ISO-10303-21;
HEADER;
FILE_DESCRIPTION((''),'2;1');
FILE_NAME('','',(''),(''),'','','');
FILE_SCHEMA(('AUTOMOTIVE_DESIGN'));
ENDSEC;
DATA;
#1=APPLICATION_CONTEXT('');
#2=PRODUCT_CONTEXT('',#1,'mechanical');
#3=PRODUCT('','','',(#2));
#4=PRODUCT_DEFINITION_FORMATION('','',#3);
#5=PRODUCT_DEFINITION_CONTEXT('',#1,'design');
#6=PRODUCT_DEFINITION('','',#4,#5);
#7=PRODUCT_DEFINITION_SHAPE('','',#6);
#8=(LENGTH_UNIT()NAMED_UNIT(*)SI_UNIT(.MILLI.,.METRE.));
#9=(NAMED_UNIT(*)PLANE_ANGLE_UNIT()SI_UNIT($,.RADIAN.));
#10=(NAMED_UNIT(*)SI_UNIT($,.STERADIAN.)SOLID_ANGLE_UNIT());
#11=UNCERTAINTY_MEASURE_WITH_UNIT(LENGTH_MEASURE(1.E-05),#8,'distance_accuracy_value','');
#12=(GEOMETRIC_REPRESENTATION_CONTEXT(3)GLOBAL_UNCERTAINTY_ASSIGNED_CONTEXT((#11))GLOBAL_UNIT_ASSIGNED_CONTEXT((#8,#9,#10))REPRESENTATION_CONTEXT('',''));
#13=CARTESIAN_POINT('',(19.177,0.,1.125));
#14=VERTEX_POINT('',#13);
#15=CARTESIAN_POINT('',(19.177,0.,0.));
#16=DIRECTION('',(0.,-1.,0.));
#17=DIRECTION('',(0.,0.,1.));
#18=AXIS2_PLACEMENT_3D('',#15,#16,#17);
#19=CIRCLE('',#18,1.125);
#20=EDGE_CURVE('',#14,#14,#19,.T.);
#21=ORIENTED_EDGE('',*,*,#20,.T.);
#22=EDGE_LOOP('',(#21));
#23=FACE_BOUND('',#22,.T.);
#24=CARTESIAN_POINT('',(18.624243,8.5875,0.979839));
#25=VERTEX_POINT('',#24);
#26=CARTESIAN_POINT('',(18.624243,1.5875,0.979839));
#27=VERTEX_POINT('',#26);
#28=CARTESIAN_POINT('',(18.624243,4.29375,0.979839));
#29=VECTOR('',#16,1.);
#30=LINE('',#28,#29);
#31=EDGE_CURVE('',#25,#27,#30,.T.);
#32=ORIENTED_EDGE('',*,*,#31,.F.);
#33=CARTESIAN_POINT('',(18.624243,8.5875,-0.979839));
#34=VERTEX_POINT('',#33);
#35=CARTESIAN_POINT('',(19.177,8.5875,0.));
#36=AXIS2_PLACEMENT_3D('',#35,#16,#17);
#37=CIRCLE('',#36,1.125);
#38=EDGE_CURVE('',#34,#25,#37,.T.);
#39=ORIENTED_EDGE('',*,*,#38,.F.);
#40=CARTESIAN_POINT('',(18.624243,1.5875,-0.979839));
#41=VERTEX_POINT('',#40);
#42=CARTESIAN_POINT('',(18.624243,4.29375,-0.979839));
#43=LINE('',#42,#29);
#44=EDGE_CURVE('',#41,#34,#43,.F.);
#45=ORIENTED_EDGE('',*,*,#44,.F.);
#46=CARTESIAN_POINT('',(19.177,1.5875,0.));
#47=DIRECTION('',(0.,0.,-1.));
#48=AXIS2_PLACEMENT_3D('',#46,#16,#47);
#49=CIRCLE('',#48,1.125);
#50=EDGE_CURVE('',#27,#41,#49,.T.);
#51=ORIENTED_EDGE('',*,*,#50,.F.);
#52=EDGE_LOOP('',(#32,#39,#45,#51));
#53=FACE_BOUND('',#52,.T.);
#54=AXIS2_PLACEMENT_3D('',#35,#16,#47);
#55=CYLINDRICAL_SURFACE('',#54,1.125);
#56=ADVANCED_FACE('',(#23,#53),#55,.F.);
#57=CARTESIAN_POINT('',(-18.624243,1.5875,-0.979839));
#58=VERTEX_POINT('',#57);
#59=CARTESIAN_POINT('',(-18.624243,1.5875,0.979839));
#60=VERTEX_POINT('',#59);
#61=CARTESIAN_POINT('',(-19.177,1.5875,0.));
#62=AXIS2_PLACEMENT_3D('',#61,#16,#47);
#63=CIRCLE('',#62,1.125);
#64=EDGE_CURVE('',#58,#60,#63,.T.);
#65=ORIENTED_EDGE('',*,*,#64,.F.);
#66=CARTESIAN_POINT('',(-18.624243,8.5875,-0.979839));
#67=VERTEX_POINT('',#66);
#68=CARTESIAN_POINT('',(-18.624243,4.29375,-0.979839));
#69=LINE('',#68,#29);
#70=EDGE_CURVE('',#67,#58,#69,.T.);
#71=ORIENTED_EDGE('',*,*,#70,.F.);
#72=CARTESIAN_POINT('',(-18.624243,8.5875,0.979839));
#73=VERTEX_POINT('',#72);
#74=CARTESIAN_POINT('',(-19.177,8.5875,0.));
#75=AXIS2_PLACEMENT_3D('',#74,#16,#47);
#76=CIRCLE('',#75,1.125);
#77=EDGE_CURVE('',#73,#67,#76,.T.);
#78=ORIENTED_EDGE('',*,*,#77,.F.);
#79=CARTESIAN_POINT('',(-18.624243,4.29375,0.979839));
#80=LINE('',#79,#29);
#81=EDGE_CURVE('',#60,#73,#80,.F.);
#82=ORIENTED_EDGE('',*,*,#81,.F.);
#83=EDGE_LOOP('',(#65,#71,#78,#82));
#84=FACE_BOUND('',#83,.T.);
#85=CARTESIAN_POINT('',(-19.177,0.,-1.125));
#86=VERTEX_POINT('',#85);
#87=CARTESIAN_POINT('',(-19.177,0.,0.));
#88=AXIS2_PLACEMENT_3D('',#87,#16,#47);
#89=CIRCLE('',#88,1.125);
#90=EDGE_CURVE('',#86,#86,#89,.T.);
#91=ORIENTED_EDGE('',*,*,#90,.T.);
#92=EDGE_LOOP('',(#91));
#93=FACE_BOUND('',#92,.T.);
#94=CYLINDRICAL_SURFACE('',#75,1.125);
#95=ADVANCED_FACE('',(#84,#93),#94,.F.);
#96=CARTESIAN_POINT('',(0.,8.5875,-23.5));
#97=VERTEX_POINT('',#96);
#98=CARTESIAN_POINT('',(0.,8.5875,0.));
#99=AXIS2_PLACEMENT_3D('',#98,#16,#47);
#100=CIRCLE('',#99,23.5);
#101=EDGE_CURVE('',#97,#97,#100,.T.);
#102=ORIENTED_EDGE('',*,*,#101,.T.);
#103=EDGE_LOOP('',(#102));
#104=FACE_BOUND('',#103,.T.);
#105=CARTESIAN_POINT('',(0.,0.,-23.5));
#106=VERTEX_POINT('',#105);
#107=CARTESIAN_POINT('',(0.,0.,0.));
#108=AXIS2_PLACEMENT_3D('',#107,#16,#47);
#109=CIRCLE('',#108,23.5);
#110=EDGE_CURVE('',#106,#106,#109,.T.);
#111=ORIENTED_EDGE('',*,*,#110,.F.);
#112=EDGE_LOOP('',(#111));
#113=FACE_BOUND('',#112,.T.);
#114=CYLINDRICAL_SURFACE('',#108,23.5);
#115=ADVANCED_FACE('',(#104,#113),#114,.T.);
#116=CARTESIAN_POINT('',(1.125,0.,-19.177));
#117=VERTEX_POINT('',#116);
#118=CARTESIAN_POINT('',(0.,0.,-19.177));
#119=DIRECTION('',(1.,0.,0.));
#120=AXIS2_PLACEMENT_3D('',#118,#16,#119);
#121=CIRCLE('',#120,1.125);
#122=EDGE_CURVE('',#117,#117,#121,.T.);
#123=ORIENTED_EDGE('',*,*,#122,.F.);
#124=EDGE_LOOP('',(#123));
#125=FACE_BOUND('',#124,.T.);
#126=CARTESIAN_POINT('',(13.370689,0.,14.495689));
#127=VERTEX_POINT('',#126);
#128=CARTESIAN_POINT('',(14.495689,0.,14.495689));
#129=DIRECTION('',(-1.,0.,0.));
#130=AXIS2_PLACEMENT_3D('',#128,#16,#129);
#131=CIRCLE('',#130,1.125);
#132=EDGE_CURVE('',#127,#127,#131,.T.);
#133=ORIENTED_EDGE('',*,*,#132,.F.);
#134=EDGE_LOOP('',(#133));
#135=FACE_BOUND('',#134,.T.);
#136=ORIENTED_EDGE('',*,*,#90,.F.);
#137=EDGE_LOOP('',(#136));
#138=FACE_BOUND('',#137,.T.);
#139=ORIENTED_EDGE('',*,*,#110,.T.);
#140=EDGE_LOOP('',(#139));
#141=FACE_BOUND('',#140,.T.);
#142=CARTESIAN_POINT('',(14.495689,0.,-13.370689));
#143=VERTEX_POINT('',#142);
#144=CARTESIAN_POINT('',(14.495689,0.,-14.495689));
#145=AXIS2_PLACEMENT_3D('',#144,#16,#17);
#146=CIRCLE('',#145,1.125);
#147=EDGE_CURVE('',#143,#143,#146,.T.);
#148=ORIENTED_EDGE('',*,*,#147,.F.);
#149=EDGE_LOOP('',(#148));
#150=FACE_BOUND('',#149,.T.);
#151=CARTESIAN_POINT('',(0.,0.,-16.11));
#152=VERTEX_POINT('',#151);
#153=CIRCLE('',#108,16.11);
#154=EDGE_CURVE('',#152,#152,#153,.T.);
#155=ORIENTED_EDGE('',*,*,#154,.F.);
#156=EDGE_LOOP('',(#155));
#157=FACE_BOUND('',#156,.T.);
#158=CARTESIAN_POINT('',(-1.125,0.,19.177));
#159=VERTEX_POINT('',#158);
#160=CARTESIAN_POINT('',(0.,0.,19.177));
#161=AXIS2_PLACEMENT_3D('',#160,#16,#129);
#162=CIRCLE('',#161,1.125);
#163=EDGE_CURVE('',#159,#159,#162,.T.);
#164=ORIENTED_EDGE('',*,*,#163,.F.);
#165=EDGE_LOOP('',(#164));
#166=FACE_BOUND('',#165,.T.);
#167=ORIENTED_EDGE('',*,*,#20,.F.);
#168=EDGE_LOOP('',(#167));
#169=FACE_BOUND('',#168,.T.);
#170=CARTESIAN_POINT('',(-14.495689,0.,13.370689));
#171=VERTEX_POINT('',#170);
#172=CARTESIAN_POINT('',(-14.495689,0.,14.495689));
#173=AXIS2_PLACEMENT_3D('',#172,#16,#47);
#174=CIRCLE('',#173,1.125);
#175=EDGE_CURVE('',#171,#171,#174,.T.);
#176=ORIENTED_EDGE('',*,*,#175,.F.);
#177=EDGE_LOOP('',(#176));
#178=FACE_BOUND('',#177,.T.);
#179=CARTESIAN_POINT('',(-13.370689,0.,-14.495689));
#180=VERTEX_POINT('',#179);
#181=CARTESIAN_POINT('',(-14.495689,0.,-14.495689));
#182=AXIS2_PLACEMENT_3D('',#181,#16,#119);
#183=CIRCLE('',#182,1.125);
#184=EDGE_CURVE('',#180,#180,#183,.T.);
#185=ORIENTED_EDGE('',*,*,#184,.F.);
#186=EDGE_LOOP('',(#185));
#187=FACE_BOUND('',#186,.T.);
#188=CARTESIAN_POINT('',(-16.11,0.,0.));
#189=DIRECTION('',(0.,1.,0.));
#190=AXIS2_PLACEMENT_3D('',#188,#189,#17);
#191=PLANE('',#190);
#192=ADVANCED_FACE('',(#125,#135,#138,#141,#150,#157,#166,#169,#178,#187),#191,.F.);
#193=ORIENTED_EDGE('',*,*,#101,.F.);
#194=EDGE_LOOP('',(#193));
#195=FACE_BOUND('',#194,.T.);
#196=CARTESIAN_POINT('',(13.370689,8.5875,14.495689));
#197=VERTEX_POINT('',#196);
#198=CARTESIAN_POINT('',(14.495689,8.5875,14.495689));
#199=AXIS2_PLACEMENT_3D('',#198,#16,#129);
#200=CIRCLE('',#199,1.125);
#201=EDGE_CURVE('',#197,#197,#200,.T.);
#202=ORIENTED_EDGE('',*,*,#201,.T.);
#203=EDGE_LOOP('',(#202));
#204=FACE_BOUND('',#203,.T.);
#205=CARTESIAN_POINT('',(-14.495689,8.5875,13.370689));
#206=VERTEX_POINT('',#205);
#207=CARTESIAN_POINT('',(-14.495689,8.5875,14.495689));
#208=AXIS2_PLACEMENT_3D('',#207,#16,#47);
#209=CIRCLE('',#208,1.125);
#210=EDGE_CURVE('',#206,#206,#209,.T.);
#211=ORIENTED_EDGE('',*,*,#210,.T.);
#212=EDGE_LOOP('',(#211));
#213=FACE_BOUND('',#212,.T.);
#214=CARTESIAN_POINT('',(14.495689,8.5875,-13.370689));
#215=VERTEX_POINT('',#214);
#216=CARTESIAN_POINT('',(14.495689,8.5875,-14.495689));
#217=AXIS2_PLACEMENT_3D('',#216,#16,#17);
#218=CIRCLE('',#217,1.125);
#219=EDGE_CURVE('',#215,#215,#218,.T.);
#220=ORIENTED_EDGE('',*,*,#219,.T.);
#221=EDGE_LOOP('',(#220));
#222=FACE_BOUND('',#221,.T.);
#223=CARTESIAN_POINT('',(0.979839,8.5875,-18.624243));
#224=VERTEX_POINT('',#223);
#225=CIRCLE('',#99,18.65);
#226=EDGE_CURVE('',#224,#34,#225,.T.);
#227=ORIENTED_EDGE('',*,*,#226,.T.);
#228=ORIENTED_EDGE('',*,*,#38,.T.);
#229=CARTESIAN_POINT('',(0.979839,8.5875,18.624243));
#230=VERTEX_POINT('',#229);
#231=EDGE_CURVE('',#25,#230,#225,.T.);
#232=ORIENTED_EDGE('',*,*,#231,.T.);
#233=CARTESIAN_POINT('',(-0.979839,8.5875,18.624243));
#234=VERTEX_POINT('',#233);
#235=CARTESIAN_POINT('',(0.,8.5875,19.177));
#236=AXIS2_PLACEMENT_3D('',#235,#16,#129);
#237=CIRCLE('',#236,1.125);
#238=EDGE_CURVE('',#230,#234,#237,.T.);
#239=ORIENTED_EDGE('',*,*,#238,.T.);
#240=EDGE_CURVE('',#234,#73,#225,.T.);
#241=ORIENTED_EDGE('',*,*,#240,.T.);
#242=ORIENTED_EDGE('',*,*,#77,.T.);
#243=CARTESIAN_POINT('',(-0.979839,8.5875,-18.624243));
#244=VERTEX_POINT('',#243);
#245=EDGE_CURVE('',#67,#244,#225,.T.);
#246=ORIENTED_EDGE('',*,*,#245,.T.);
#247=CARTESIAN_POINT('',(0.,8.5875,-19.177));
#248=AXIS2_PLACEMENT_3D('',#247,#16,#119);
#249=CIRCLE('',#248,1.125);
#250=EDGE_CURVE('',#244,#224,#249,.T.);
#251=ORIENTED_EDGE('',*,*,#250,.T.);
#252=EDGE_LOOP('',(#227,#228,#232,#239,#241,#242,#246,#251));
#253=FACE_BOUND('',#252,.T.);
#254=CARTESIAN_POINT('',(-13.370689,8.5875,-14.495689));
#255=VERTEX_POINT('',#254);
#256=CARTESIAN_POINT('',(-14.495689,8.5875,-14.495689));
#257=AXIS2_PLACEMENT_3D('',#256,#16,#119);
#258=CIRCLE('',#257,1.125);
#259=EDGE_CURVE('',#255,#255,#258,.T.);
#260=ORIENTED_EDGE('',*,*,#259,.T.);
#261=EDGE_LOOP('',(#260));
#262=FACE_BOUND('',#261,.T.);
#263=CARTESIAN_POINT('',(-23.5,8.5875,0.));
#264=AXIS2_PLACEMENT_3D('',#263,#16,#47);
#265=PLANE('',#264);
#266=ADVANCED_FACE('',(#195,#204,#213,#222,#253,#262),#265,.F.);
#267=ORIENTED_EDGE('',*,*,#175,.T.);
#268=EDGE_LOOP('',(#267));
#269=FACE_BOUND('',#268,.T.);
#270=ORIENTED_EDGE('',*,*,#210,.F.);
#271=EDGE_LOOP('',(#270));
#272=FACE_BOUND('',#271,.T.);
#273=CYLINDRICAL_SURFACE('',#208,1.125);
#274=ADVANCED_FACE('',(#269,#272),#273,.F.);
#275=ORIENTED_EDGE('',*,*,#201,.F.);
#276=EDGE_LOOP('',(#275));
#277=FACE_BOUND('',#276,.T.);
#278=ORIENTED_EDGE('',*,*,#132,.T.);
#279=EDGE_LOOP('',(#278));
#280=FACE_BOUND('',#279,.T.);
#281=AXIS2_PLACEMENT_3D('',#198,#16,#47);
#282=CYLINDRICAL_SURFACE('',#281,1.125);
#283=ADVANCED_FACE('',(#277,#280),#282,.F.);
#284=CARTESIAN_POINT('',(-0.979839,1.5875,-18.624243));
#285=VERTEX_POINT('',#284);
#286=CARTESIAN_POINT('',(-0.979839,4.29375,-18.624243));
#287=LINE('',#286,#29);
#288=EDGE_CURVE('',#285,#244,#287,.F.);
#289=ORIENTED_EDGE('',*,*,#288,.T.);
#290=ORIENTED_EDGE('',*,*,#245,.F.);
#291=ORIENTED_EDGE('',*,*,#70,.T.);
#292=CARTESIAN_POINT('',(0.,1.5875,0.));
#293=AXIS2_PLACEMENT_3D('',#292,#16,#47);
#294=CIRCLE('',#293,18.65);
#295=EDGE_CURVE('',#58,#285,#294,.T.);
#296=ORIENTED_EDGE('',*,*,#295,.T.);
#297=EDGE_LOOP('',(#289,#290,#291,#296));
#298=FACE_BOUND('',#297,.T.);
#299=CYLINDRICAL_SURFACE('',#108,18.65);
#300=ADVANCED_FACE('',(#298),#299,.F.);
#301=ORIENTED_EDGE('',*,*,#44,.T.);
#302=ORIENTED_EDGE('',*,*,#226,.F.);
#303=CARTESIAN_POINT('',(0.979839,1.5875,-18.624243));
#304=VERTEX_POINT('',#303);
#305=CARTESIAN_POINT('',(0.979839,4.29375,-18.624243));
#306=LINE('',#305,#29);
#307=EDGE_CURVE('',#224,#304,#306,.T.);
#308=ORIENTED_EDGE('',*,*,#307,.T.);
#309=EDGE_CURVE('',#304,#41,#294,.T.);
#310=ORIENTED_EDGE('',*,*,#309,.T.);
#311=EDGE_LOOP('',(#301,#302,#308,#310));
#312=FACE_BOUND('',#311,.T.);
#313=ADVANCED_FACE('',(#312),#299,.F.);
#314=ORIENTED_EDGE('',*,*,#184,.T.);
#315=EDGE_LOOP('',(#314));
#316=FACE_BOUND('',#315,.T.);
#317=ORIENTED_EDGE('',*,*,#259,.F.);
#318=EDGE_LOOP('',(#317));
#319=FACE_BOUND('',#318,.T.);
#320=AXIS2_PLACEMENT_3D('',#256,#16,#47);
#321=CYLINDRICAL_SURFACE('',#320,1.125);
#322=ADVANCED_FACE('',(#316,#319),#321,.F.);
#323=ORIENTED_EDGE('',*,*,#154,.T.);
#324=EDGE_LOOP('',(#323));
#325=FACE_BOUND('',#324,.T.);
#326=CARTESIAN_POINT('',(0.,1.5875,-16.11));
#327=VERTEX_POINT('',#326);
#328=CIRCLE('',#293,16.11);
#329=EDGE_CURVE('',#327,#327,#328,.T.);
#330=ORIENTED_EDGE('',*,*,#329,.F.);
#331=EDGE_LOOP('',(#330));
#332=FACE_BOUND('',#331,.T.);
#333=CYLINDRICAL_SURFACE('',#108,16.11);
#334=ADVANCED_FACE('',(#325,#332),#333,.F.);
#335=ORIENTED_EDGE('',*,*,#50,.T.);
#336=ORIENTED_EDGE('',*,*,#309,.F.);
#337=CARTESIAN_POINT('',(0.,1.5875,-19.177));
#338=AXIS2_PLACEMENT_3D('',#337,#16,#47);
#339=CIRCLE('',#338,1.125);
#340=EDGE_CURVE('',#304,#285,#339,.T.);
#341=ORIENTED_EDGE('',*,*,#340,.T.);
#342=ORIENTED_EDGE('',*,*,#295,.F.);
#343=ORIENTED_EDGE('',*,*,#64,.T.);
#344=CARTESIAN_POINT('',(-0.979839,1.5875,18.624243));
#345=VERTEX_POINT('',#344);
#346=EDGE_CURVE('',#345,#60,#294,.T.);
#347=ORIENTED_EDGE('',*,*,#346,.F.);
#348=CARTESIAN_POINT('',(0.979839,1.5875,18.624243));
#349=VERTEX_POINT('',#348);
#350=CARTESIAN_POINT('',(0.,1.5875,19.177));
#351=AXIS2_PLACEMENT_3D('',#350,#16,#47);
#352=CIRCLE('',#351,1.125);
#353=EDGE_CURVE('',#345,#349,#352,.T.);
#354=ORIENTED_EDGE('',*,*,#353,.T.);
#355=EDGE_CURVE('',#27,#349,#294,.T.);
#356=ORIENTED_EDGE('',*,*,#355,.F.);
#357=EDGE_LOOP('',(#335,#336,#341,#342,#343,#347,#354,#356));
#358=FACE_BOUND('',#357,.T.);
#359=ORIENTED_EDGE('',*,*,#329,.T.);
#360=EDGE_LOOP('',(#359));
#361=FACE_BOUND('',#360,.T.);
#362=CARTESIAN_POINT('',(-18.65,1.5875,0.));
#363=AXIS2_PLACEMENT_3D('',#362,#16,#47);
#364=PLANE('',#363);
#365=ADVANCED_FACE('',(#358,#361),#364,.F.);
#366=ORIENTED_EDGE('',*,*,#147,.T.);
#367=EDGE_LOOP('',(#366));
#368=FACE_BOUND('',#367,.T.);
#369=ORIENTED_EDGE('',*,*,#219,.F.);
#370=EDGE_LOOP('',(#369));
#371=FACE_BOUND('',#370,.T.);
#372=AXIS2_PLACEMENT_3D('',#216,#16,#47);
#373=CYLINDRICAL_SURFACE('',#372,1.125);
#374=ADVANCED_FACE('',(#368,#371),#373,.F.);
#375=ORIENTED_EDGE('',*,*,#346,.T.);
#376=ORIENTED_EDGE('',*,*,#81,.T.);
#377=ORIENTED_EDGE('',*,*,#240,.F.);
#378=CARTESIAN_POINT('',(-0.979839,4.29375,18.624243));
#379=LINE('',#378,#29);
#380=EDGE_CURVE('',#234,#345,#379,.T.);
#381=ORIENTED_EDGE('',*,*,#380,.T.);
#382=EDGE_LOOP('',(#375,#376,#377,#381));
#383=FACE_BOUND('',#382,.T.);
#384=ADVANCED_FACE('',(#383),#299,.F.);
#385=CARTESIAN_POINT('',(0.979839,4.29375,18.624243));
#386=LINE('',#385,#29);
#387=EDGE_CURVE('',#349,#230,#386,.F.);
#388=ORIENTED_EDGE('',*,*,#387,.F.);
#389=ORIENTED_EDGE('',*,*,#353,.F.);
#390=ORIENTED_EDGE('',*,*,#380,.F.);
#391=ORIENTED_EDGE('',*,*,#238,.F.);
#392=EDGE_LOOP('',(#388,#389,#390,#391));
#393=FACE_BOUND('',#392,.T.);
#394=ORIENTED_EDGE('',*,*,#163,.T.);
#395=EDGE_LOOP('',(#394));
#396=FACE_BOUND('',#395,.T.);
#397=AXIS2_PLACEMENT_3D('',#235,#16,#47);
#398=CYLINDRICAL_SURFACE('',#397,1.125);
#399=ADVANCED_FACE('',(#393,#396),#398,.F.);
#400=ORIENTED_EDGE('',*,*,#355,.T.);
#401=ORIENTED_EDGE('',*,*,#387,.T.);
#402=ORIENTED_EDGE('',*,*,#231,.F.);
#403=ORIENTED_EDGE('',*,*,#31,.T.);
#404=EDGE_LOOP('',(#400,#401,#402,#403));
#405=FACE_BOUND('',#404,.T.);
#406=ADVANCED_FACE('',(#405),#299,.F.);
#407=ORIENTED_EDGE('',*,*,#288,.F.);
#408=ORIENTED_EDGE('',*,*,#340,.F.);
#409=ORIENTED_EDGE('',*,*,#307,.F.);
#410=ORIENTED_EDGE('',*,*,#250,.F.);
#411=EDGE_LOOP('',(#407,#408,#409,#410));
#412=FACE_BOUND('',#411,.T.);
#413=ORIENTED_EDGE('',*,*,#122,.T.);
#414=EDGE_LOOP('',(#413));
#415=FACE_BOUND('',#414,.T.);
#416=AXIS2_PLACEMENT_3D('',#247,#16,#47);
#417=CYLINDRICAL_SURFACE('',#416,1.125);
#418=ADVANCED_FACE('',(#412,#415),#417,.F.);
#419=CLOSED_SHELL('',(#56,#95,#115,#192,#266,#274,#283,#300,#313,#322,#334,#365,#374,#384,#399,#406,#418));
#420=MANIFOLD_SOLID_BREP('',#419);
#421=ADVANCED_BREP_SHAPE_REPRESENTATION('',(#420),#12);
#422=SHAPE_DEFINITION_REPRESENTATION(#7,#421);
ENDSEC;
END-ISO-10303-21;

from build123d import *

# Parameters (mm, degrees)
SKETCH2_R          = 1.125
CUT_EXTRUDE1_DEPTH = 35.325575833
SKETCH3_R          = 1.125
CUT_EXTRUDE2_DEPTH = 35.325575833
CIRPATTERN1_COUNT  = 4


with BuildPart() as part:
    # Sketch1 → Revolve1 (revolve)
    with BuildSketch(Plane.XY):
        Polygon((-23.5, 8.5875), (-18.65, 8.5875), (-18.65, 1.5875), (-16.11, 1.5875), (-16.11, 0), (-23.5, 0), align=None)
    revolve(axis=Axis((0, 0, 0), (0, 1, 0)))

    # Sketch2 → Cut-Extrude1 (cut, through all)
    with BuildSketch(Plane(origin=(0, 0, 0), x_dir=(-1, 0, 0), z_dir=(0, -1, 0))):
        with Locations((19.177, 0)):
            Circle(SKETCH2_R)
    cut_extrude1 = extrude(amount=-CUT_EXTRUDE1_DEPTH, mode=Mode.SUBTRACT)

    # Sketch3 → Cut-Extrude2 (cut, through all)
    with BuildSketch(Plane.XZ):
        with Locations((-14.495689029, 14.495689029)):
            Circle(SKETCH3_R)
    cut_extrude2 = extrude(amount=-CUT_EXTRUDE2_DEPTH, mode=Mode.SUBTRACT)

    # CirPattern1: Cut-Extrude1, Cut-Extrude2 ×4 about axis
    cirpattern1_axis = Axis((0, 8.5875, 0), (0, -1, 0))
    add([cut_extrude1.rotate(cirpattern1_axis, i * 360 / CIRPATTERN1_COUNT) for i in range(1, CIRPATTERN1_COUNT)], mode=Mode.SUBTRACT)
    add([cut_extrude2.rotate(cirpattern1_axis, i * 360 / CIRPATTERN1_COUNT) for i in range(1, CIRPATTERN1_COUNT)], mode=Mode.SUBTRACT)


solid = part.part
